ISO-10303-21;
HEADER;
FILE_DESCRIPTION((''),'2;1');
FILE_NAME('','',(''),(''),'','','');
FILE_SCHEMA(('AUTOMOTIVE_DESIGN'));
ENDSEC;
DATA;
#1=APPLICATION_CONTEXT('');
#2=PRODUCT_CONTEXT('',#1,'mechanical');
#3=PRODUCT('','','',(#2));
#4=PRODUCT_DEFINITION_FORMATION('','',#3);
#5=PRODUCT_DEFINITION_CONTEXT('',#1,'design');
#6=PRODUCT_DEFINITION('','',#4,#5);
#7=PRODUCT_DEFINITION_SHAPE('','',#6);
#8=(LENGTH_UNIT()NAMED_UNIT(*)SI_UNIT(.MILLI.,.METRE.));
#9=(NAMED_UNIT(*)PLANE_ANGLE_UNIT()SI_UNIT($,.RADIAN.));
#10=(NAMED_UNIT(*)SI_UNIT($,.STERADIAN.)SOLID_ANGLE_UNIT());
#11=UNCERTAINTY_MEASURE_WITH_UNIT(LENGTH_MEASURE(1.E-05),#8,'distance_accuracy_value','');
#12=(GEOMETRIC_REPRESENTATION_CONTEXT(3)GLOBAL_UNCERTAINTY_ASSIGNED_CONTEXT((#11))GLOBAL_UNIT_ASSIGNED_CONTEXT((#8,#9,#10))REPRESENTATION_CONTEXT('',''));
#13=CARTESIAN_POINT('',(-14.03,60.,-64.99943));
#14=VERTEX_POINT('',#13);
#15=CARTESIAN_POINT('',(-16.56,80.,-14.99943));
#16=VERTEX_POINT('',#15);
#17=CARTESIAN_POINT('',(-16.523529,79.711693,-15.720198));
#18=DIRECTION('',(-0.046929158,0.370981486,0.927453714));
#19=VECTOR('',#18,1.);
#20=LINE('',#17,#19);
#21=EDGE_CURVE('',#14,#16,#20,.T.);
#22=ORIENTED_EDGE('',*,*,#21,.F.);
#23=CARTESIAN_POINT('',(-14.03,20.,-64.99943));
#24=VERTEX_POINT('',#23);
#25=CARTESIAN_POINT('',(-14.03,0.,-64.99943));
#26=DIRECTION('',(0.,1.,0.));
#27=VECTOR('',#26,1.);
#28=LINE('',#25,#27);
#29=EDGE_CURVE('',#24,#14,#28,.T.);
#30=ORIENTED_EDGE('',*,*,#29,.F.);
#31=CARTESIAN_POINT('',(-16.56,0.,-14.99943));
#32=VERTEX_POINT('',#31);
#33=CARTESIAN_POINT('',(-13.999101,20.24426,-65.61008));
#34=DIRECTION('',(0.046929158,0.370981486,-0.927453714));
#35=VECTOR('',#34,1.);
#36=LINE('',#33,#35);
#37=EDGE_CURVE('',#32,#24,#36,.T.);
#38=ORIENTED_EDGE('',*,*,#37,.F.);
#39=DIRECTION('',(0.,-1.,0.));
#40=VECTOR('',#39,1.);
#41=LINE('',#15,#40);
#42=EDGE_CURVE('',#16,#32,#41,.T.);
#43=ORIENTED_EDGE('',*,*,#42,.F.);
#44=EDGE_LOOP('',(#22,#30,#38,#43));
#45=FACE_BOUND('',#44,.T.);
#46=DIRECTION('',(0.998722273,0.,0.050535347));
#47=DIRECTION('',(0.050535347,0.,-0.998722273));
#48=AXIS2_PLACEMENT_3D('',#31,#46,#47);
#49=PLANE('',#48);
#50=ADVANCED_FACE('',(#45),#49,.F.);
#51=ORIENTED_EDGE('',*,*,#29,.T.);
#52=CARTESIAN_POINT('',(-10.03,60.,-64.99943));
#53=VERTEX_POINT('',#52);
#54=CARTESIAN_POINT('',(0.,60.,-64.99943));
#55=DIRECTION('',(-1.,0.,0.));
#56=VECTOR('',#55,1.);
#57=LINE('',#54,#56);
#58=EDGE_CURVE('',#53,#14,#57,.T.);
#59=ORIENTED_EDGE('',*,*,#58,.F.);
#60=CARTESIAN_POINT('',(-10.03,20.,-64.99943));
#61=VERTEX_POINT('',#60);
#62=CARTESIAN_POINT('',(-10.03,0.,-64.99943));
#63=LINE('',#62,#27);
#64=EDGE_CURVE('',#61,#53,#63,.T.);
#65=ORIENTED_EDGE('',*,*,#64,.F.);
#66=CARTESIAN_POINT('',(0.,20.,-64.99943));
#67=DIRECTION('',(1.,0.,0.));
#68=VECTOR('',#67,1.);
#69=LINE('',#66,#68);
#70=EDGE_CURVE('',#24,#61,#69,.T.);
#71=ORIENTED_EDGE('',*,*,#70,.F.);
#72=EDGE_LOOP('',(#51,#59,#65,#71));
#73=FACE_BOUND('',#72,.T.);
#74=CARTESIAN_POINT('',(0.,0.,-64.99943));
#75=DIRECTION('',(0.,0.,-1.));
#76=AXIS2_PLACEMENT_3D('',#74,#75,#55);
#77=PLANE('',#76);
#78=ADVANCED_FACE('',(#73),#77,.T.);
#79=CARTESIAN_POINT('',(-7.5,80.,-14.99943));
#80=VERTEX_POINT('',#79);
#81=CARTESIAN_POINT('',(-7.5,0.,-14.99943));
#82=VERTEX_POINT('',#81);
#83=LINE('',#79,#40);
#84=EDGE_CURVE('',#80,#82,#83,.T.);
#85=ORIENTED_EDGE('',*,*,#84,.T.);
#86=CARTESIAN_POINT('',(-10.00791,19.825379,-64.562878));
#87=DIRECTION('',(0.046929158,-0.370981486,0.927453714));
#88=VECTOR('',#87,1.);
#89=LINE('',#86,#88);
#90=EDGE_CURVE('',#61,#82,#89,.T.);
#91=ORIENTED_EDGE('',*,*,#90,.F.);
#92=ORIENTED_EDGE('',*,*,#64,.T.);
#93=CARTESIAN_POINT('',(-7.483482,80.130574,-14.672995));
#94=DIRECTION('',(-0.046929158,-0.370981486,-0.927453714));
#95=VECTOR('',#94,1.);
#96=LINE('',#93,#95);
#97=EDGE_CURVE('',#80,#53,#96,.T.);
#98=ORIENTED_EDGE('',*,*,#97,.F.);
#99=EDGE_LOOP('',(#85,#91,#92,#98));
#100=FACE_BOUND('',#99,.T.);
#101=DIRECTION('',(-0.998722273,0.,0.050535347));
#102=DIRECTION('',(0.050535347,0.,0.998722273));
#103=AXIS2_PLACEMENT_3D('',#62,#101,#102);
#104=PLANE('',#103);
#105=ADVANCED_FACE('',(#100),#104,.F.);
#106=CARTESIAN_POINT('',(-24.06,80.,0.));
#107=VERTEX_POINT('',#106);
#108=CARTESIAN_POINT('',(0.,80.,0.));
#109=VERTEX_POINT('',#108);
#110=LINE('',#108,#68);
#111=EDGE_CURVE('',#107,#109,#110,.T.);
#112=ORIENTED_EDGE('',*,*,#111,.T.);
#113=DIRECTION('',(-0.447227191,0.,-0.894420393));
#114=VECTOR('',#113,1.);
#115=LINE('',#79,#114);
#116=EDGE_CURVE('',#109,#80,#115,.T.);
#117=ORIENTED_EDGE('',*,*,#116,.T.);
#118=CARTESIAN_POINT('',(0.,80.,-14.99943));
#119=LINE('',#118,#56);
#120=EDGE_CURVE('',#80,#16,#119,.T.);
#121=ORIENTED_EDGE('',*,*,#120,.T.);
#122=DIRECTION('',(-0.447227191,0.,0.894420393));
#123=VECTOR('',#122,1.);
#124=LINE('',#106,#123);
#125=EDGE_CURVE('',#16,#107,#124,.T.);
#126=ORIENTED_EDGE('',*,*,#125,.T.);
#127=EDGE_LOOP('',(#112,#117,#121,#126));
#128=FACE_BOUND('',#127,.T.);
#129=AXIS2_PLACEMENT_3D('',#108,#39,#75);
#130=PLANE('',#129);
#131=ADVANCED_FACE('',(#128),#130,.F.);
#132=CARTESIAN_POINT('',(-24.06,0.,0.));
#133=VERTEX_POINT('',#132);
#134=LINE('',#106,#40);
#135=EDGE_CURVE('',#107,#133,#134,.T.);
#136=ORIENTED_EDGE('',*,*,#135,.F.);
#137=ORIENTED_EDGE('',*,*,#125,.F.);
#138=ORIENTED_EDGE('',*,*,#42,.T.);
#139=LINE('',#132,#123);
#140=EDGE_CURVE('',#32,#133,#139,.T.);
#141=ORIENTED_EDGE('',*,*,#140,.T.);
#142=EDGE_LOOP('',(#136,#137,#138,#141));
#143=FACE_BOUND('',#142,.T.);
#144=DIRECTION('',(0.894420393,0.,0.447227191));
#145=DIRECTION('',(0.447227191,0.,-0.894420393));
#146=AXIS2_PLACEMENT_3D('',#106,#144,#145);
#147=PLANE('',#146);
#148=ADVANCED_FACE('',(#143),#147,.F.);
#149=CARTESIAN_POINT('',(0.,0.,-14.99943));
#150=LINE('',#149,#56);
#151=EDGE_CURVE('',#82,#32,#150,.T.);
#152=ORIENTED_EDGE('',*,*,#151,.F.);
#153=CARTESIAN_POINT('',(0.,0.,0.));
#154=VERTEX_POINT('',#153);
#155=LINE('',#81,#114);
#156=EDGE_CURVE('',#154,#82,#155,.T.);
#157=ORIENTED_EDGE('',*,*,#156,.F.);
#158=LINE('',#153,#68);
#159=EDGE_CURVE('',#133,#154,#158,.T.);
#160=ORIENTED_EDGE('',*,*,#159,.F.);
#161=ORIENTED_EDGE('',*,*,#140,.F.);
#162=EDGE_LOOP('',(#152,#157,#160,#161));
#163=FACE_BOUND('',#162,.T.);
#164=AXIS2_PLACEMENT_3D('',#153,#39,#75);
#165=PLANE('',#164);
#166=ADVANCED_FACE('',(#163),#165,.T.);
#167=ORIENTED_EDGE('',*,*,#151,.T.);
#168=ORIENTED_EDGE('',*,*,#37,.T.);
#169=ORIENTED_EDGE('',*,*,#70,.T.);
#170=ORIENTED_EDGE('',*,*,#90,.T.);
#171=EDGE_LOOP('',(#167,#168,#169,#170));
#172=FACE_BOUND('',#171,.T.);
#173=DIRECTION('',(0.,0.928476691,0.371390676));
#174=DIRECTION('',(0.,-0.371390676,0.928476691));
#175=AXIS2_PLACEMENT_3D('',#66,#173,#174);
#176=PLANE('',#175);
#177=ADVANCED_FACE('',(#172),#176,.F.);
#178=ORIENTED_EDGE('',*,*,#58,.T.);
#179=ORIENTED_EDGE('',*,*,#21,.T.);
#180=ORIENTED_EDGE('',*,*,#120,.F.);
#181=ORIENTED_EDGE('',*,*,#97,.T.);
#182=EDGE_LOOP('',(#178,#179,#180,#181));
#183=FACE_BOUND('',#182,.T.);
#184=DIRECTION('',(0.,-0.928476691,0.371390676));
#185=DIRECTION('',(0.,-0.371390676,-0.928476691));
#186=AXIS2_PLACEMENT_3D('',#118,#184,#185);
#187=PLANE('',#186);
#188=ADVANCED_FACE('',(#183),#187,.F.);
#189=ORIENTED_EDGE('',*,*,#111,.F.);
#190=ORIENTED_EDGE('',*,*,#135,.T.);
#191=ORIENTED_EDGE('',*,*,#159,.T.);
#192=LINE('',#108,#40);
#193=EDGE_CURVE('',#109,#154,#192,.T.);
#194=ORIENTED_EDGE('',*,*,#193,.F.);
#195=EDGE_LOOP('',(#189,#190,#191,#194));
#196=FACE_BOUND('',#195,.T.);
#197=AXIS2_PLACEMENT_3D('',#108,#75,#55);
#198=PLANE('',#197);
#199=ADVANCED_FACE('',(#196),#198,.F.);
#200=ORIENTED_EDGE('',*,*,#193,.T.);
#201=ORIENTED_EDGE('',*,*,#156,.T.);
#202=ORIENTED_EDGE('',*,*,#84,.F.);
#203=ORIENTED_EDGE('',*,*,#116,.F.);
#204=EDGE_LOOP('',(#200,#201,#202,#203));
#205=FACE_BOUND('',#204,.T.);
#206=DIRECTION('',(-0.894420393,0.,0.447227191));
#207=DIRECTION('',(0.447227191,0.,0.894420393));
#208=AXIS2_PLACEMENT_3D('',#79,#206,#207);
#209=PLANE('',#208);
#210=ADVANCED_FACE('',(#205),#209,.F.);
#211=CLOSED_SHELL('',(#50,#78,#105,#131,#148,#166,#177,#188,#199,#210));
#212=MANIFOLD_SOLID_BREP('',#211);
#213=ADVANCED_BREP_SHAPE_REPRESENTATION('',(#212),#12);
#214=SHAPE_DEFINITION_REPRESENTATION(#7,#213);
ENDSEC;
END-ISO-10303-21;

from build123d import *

# Parameters (mm, degrees)
BOSS_EXTRUDE1_DEPTH = 80
SKETCH2_W           = 9.06
SKETCH2_H           = 80
BOSS_EXTRUDE2_DEPTH = 50
CUT_EXTRUDE1_DEPTH  = 105.399039741
CUT_EXTRUDE2_DEPTH  = 106.848049103


with BuildPart() as part:
    # Sketch1 → Boss-Extrude1 (new body)
    with BuildSketch(Plane(origin=(0, 0, 0), x_dir=(1, 0, 0), z_dir=(0, 1, 0))):
        Polygon((-24.06, 0), (-16.56, 14.999429989), (-7.5, 14.999429989), (0, 0), align=None)
    extrude(amount=BOSS_EXTRUDE1_DEPTH)

    # Sketch2 → Boss-Extrude2 (add)
    with BuildSketch(Plane(origin=(0, 0, -14.999429989), x_dir=(-1, 0, 0), z_dir=(0, 0, -1))):
        with Locations((12.03, 40)):
            Rectangle(SKETCH2_W, SKETCH2_H)
    extrude(amount=BOSS_EXTRUDE2_DEPTH)

    # Sketch3 → Cut-Extrude1 (cut, through all)
    with BuildSketch(Plane.ZY.offset(16.56)):
        Polygon((-14.999429989, 80), (-64.999429989, 60), (-64.999429989, 80), align=None)
        Polygon((-64.999429989, 0), (-64.999429989, 20), (-14.999429989, 0), align=None)
    extrude(amount=-CUT_EXTRUDE1_DEPTH, mode=Mode.SUBTRACT)

    # Sketch7 → Cut-Extrude2 (cut, through all)
    with BuildSketch(Plane(origin=(0, 80, 0), x_dir=(1, 0, 0), z_dir=(0, 1, 0))):
        Polygon((-16.56, 14.999429989), (-14.03, 64.999429989), (-16.56, 64.999429989), align=None)
        Polygon((-7.5, 14.999429989), (-7.5, 64.999429989), (-10.03, 64.999429989), align=None)
    extrude(amount=-CUT_EXTRUDE2_DEPTH, mode=Mode.SUBTRACT)


solid = part.part
